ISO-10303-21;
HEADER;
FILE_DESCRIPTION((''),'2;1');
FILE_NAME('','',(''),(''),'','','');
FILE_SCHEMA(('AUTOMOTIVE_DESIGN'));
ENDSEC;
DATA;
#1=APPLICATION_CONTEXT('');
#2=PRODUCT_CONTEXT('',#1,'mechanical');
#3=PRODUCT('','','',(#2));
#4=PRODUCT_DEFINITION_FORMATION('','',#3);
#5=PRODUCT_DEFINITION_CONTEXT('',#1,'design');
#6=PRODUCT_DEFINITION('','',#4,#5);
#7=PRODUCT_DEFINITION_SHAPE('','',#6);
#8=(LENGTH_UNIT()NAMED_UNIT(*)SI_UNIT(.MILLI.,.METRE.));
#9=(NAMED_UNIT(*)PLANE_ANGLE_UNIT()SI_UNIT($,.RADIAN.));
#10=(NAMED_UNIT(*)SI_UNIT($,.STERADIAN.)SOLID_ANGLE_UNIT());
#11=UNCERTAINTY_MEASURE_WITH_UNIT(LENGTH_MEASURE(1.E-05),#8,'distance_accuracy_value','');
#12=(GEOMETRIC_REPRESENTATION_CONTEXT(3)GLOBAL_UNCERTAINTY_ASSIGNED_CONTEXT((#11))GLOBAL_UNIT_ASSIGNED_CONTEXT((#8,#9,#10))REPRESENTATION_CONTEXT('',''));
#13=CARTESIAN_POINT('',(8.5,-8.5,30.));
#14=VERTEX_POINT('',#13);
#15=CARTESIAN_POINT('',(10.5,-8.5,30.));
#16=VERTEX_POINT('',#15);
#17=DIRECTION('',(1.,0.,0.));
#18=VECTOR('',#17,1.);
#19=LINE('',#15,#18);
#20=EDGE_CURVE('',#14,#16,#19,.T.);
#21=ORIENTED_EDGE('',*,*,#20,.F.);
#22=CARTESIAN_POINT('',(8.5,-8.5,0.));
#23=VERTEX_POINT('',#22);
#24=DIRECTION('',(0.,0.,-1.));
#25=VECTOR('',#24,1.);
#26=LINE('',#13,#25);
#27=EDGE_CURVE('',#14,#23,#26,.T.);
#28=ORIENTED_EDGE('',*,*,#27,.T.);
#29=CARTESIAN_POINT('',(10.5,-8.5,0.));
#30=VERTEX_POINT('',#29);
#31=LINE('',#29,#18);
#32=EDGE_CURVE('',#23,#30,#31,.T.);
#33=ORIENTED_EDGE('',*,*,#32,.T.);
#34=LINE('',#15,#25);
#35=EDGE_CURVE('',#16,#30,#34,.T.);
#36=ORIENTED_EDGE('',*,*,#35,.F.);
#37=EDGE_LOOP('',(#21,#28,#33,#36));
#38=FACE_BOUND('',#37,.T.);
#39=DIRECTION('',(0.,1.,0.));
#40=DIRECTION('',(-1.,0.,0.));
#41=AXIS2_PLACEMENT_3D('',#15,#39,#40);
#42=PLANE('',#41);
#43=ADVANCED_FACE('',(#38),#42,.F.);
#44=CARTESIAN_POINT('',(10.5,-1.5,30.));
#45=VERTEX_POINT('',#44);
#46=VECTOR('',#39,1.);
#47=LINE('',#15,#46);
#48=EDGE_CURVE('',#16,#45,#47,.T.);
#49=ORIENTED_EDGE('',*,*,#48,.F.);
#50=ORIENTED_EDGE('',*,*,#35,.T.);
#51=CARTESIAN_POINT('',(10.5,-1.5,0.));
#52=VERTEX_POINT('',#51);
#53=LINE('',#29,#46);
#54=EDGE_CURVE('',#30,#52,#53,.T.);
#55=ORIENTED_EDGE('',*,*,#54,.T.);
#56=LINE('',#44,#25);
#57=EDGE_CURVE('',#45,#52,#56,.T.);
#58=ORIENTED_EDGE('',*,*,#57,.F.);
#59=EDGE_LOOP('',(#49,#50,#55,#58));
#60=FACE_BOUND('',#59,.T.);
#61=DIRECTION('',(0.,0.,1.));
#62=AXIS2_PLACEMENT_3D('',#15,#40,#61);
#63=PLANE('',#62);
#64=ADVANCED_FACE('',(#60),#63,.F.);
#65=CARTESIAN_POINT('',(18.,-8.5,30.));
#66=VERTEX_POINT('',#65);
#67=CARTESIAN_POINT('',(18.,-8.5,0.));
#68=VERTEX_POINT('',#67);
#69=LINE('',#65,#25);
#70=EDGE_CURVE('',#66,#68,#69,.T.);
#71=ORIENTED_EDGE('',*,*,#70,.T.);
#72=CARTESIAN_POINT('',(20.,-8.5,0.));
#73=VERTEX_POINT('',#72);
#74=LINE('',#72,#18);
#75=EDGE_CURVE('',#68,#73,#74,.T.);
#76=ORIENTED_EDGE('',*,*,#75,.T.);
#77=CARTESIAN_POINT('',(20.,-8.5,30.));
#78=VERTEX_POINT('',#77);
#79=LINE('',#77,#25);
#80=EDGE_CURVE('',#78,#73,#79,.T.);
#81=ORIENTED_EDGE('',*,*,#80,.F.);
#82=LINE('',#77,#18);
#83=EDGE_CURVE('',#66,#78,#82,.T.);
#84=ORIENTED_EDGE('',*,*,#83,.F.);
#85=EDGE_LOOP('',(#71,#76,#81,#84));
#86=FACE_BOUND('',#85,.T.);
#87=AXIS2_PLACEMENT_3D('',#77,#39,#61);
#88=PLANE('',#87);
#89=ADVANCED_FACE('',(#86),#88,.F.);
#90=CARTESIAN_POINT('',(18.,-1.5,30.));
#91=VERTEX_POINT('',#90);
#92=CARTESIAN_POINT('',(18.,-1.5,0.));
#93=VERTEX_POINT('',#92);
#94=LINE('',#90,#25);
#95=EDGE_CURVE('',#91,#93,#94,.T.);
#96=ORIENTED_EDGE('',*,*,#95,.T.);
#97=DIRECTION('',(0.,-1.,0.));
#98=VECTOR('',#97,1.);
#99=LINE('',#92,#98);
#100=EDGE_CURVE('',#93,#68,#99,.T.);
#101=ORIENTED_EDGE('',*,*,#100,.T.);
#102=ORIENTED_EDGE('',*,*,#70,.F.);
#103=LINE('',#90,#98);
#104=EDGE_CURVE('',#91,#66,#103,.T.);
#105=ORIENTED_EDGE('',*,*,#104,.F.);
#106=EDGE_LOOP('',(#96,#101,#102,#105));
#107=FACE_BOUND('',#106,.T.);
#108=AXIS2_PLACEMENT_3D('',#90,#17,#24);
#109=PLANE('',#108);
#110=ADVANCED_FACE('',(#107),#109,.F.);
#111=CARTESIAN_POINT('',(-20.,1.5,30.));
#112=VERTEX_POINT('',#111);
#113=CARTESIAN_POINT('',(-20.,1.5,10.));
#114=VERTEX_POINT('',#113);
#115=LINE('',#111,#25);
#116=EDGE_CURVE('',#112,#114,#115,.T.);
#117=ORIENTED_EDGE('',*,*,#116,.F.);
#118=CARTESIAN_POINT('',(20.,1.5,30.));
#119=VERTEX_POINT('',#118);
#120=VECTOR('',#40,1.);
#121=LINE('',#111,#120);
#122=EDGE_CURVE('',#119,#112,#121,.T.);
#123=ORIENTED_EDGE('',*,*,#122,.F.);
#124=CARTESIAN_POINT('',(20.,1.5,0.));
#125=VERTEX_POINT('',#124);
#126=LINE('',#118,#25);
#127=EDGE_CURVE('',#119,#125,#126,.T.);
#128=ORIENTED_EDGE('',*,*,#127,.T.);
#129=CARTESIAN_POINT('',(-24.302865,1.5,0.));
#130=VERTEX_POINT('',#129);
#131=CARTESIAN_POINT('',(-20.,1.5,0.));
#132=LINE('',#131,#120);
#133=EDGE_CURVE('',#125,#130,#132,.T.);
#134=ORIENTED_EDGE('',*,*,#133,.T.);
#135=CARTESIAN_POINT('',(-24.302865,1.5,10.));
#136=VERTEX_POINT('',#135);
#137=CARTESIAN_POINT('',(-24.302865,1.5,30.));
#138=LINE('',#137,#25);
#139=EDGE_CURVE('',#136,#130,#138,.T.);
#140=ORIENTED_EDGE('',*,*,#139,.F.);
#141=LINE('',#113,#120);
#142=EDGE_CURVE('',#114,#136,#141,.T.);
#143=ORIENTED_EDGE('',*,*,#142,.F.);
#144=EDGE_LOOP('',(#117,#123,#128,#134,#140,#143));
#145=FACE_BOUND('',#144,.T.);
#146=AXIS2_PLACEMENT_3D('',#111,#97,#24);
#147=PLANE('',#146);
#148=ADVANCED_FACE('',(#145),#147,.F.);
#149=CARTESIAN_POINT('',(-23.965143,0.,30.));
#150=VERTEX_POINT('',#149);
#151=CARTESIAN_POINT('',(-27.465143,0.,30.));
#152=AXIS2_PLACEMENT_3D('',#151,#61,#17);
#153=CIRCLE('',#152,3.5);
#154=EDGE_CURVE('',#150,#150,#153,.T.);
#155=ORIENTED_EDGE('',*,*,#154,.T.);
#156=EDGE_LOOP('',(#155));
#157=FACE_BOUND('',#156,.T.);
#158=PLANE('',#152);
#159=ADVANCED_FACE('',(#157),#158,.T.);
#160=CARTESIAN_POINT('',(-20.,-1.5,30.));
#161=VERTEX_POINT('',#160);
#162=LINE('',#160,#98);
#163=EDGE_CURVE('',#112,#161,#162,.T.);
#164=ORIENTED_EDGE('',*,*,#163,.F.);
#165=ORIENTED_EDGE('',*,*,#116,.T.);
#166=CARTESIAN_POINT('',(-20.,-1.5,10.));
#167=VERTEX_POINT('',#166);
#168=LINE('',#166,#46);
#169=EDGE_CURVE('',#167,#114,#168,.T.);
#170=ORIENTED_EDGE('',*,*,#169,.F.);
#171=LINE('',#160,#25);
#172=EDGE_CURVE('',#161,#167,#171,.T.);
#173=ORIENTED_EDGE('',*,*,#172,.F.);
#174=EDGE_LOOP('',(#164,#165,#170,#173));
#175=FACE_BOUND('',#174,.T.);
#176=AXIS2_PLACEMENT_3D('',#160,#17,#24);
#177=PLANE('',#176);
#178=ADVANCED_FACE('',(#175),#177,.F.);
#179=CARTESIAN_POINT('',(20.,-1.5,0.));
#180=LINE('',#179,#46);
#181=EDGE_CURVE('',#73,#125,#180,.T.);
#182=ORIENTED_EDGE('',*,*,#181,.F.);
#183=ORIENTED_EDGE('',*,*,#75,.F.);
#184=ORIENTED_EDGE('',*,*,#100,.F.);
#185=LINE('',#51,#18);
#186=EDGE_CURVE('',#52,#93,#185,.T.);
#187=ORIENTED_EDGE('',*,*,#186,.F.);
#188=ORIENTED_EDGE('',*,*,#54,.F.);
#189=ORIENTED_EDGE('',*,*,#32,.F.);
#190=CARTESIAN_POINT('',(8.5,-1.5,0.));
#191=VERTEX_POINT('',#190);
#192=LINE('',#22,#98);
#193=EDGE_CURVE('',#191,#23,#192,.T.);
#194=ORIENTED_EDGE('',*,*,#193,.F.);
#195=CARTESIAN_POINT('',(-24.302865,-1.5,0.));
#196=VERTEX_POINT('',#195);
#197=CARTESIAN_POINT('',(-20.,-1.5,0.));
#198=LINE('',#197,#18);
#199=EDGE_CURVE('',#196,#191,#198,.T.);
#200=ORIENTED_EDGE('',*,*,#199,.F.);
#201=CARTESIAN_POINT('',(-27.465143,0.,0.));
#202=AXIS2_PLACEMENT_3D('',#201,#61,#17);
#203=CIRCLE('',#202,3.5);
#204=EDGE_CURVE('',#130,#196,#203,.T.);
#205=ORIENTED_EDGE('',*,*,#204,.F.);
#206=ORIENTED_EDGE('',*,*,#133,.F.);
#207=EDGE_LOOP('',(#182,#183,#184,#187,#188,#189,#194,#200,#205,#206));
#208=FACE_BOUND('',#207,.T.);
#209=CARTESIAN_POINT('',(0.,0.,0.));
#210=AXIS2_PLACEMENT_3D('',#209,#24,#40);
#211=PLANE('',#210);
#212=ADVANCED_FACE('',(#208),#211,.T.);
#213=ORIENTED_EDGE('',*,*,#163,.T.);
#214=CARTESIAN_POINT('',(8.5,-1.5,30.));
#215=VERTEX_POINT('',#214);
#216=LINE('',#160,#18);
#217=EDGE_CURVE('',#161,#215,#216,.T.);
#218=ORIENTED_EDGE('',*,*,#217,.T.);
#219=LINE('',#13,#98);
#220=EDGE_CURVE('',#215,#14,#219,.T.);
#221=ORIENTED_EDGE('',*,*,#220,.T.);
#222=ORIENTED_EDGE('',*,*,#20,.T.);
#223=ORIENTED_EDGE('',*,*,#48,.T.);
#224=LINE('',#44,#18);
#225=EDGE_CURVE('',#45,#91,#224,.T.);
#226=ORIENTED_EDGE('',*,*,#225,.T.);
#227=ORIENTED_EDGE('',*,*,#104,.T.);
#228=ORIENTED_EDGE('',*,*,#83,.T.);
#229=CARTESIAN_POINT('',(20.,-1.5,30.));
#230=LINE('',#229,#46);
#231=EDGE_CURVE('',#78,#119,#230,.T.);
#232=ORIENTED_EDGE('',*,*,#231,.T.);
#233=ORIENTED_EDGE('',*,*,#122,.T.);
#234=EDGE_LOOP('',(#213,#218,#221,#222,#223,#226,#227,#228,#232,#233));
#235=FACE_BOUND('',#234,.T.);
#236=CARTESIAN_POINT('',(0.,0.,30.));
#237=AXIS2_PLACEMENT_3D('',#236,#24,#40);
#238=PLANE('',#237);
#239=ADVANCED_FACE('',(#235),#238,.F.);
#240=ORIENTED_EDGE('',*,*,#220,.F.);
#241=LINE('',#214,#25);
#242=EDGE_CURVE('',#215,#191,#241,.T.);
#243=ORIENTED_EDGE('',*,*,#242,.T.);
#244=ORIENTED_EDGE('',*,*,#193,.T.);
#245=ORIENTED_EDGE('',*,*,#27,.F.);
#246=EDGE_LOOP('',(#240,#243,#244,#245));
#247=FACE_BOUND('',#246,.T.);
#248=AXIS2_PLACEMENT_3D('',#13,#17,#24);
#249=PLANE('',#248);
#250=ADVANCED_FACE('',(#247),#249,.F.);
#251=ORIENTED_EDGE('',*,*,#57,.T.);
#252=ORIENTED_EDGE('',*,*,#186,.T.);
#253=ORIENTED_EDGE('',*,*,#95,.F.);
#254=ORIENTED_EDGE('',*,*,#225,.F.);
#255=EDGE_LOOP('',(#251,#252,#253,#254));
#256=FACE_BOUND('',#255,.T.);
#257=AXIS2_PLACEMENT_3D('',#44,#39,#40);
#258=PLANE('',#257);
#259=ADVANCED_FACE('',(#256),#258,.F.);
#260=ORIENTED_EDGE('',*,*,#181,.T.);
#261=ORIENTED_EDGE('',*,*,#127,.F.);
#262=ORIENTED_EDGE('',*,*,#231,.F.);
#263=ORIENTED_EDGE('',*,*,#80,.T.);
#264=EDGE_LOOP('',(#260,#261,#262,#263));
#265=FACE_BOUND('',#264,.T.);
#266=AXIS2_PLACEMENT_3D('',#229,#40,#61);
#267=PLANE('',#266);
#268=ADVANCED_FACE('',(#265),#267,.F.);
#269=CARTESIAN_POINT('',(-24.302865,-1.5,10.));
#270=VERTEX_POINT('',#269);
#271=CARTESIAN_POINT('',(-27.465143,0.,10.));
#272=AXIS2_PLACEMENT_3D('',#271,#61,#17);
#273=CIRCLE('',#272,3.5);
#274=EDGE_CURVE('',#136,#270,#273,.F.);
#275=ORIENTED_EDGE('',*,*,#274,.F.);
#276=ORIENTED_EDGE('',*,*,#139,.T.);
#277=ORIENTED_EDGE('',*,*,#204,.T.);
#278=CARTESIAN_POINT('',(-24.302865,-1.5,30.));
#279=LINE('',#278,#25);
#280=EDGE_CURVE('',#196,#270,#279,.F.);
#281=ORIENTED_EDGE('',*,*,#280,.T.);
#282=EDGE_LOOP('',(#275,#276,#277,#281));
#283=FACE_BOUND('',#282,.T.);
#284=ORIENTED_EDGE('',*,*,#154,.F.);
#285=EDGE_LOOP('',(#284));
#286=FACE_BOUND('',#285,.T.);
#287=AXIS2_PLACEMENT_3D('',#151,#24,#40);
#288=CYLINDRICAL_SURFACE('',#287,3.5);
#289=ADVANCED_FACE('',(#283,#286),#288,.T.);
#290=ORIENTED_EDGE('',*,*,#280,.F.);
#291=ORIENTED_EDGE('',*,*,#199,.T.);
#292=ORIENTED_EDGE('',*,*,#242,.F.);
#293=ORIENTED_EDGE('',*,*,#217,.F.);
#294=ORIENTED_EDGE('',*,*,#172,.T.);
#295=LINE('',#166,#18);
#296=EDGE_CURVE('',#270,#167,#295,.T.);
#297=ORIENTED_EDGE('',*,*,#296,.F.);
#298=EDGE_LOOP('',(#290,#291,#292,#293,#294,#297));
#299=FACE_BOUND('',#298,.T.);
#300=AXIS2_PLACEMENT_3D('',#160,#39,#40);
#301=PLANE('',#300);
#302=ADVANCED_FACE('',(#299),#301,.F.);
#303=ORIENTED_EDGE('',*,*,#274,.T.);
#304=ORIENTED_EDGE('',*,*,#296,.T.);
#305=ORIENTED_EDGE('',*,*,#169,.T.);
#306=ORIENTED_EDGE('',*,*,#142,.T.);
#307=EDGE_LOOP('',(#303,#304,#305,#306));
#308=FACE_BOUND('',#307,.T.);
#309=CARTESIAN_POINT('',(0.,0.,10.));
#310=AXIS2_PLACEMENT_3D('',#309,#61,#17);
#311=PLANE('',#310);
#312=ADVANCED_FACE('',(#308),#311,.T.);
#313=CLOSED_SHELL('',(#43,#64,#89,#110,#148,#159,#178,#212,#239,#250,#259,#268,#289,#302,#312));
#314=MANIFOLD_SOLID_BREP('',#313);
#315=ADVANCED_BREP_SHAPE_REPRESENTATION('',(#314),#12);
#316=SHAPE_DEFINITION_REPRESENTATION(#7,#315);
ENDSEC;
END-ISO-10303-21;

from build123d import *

# Parameters (mm, degrees)
BOSS_EXTRUDE1_DEPTH = 30
SKETCH3_W           = 6
SKETCH3_H           = 3
BOSS_EXTRUDE2_DEPTH = 10
SKETCH4_R           = 3.5
BOSS_EXTRUDE3_DEPTH = 30


with BuildPart() as part:
    # Sketch2 → Boss-Extrude1 (new body)
    with BuildSketch(Plane.XY):
        Polygon((-20, -1.5), (8.5, -1.5), (8.5, -8.5), (10.5, -8.5), (10.5, -1.5), (18, -1.5), (18, -8.5), (20, -8.5), (20, -1.5), (20, 1.5), (-20, 1.5), align=None)
    extrude(amount=BOSS_EXTRUDE1_DEPTH)

    # Sketch3 → Boss-Extrude2 (add)
    with BuildSketch(Plane.XY):
        with Locations((-23, 0)):
            Rectangle(SKETCH3_W, SKETCH3_H)
    extrude(amount=BOSS_EXTRUDE2_DEPTH)

    # Sketch4 → Boss-Extrude3 (add)
    with BuildSketch(Plane.XY):
        with Locations((-27.465142918, 0)):
            Circle(SKETCH4_R)
    extrude(amount=BOSS_EXTRUDE3_DEPTH)


solid = part.part
